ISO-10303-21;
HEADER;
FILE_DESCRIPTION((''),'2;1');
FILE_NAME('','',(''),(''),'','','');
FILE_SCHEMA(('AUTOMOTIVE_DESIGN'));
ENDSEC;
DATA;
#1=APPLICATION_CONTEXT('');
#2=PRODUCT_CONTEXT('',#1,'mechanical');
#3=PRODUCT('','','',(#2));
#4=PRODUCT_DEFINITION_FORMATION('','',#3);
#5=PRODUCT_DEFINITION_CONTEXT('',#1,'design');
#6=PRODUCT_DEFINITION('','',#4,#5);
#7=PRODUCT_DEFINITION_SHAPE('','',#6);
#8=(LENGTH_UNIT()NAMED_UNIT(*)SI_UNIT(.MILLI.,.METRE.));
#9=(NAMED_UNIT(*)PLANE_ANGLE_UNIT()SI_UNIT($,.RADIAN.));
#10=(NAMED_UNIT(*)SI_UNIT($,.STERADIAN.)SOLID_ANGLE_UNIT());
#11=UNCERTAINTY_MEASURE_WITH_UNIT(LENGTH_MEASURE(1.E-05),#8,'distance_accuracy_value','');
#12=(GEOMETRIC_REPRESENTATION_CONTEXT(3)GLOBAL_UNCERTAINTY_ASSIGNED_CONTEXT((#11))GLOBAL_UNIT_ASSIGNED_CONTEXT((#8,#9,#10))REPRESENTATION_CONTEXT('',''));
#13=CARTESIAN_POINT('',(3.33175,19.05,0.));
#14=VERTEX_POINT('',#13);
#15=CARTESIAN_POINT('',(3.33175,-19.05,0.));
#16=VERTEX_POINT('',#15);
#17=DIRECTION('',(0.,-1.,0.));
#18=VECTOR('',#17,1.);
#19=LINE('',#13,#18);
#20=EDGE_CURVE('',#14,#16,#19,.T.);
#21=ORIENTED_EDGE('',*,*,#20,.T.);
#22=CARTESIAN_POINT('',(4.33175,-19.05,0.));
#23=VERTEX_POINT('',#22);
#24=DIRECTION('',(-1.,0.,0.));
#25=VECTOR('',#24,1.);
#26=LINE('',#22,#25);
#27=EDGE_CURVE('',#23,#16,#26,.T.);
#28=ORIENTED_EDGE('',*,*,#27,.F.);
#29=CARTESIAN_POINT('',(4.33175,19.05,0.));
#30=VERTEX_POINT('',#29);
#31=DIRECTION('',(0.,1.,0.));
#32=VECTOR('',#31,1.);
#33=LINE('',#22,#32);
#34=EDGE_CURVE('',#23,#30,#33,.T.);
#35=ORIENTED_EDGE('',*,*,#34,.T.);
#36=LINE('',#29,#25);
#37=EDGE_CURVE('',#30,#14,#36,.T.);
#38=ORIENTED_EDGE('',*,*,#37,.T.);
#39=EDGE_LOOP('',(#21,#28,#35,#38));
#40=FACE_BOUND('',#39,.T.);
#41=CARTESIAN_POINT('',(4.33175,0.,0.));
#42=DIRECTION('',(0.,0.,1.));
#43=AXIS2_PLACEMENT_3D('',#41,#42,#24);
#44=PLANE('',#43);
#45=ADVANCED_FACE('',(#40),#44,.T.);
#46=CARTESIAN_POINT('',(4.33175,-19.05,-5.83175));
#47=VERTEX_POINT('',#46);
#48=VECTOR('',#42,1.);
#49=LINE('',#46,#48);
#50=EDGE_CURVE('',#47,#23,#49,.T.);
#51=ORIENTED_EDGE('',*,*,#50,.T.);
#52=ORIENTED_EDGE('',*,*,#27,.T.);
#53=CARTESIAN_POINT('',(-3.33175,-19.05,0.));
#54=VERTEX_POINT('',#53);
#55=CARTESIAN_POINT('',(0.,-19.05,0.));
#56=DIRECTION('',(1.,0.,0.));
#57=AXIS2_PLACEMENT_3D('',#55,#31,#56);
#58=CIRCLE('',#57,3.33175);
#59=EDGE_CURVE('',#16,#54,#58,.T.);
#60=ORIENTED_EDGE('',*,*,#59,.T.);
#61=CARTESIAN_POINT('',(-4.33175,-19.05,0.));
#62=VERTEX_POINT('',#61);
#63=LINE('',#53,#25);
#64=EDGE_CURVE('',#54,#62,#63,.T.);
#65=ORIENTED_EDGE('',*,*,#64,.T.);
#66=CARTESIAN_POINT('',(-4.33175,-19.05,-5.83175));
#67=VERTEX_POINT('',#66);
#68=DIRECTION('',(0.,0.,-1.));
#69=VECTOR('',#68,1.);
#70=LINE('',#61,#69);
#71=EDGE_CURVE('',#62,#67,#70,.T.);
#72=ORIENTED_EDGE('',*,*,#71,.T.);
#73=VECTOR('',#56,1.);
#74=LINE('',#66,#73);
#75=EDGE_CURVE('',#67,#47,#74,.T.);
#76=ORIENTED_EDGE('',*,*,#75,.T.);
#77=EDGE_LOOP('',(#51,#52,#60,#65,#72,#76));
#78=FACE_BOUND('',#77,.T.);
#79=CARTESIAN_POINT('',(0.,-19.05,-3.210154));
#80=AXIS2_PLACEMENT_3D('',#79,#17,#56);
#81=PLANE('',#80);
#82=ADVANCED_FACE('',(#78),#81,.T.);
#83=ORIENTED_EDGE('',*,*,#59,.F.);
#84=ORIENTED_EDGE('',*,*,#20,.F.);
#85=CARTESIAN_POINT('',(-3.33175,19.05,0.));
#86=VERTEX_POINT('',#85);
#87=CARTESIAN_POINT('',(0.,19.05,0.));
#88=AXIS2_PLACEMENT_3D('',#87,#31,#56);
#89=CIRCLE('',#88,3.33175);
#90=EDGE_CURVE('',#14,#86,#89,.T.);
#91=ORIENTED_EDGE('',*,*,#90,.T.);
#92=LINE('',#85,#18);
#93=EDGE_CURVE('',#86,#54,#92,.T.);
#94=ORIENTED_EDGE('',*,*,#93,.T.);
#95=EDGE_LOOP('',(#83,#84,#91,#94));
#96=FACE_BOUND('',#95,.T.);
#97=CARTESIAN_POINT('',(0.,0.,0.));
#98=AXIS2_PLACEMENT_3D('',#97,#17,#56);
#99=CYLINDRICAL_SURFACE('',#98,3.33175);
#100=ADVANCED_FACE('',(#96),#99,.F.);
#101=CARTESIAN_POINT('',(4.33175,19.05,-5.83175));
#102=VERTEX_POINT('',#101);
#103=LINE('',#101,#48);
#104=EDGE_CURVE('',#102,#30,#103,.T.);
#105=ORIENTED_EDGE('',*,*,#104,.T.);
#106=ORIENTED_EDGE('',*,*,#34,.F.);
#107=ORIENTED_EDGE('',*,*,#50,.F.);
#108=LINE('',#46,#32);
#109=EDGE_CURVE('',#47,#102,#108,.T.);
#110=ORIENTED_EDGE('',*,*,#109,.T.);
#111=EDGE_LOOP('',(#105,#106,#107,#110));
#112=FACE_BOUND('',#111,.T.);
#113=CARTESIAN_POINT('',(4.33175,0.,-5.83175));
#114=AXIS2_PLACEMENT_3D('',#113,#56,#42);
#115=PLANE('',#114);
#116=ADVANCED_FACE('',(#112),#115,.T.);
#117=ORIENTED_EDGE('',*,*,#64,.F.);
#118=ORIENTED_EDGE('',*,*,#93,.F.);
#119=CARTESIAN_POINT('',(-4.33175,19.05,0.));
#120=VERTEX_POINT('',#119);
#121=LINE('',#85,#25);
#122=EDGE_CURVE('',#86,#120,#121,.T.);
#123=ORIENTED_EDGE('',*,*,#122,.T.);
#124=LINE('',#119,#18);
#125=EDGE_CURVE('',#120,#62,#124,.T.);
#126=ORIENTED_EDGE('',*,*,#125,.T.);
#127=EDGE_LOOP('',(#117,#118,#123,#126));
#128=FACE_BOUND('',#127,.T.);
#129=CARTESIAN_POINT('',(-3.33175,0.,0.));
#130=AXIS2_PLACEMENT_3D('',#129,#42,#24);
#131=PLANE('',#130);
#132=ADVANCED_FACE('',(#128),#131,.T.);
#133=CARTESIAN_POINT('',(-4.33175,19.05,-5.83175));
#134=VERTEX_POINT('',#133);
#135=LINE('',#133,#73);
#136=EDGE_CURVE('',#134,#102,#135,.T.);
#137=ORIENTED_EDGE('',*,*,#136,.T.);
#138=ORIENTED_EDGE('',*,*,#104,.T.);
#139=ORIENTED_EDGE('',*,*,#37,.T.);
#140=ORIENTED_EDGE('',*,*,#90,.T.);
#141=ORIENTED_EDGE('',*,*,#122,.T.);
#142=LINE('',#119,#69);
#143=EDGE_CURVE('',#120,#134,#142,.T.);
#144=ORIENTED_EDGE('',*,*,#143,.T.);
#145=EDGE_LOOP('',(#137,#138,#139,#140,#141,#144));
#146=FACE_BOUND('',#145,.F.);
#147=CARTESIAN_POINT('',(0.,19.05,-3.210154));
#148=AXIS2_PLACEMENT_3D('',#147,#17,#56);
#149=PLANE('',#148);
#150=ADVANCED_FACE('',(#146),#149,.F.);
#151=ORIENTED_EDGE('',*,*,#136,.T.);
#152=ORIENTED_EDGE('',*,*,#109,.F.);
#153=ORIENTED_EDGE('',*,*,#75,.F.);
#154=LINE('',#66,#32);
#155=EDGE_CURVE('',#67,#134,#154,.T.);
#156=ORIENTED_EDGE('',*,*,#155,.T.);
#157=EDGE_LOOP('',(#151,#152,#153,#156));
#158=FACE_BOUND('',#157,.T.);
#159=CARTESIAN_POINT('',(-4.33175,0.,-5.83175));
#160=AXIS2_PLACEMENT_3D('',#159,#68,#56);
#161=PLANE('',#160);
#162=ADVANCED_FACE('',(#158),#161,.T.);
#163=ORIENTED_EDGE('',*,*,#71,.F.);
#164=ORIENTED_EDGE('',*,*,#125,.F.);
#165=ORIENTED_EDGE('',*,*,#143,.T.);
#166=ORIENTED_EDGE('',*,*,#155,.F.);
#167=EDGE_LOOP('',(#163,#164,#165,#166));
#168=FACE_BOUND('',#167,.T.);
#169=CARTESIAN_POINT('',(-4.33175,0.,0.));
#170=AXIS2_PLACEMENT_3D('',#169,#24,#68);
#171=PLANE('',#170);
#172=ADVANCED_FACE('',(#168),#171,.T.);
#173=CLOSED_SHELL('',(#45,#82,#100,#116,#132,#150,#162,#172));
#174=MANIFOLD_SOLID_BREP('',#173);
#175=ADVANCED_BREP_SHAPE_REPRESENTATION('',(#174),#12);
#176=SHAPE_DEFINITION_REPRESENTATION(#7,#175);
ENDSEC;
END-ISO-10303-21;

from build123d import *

# Parameters (mm, degrees)
F1_DEPTH = 19.05


with BuildPart() as f1:
    # F0 (on Front) → F1 (new body, symmetric)
    with BuildSketch(Plane.XZ):
        with BuildLine():
            Line((4.33175, 0), (3.33175, 0))
            ThreePointArc((3.33175, 0), (0, -3.33175), (-3.33175, 0))
            Line((-3.33175, 0), (-4.33175, 0))
            Line((-4.33175, 0), (-4.33175, -5.83175))
            Line((-4.33175, -5.83175), (4.33175, -5.83175))
            Line((4.33175, -5.83175), (4.33175, 0))
        make_face()
    extrude(amount=F1_DEPTH, both=True)


solid = f1.part
